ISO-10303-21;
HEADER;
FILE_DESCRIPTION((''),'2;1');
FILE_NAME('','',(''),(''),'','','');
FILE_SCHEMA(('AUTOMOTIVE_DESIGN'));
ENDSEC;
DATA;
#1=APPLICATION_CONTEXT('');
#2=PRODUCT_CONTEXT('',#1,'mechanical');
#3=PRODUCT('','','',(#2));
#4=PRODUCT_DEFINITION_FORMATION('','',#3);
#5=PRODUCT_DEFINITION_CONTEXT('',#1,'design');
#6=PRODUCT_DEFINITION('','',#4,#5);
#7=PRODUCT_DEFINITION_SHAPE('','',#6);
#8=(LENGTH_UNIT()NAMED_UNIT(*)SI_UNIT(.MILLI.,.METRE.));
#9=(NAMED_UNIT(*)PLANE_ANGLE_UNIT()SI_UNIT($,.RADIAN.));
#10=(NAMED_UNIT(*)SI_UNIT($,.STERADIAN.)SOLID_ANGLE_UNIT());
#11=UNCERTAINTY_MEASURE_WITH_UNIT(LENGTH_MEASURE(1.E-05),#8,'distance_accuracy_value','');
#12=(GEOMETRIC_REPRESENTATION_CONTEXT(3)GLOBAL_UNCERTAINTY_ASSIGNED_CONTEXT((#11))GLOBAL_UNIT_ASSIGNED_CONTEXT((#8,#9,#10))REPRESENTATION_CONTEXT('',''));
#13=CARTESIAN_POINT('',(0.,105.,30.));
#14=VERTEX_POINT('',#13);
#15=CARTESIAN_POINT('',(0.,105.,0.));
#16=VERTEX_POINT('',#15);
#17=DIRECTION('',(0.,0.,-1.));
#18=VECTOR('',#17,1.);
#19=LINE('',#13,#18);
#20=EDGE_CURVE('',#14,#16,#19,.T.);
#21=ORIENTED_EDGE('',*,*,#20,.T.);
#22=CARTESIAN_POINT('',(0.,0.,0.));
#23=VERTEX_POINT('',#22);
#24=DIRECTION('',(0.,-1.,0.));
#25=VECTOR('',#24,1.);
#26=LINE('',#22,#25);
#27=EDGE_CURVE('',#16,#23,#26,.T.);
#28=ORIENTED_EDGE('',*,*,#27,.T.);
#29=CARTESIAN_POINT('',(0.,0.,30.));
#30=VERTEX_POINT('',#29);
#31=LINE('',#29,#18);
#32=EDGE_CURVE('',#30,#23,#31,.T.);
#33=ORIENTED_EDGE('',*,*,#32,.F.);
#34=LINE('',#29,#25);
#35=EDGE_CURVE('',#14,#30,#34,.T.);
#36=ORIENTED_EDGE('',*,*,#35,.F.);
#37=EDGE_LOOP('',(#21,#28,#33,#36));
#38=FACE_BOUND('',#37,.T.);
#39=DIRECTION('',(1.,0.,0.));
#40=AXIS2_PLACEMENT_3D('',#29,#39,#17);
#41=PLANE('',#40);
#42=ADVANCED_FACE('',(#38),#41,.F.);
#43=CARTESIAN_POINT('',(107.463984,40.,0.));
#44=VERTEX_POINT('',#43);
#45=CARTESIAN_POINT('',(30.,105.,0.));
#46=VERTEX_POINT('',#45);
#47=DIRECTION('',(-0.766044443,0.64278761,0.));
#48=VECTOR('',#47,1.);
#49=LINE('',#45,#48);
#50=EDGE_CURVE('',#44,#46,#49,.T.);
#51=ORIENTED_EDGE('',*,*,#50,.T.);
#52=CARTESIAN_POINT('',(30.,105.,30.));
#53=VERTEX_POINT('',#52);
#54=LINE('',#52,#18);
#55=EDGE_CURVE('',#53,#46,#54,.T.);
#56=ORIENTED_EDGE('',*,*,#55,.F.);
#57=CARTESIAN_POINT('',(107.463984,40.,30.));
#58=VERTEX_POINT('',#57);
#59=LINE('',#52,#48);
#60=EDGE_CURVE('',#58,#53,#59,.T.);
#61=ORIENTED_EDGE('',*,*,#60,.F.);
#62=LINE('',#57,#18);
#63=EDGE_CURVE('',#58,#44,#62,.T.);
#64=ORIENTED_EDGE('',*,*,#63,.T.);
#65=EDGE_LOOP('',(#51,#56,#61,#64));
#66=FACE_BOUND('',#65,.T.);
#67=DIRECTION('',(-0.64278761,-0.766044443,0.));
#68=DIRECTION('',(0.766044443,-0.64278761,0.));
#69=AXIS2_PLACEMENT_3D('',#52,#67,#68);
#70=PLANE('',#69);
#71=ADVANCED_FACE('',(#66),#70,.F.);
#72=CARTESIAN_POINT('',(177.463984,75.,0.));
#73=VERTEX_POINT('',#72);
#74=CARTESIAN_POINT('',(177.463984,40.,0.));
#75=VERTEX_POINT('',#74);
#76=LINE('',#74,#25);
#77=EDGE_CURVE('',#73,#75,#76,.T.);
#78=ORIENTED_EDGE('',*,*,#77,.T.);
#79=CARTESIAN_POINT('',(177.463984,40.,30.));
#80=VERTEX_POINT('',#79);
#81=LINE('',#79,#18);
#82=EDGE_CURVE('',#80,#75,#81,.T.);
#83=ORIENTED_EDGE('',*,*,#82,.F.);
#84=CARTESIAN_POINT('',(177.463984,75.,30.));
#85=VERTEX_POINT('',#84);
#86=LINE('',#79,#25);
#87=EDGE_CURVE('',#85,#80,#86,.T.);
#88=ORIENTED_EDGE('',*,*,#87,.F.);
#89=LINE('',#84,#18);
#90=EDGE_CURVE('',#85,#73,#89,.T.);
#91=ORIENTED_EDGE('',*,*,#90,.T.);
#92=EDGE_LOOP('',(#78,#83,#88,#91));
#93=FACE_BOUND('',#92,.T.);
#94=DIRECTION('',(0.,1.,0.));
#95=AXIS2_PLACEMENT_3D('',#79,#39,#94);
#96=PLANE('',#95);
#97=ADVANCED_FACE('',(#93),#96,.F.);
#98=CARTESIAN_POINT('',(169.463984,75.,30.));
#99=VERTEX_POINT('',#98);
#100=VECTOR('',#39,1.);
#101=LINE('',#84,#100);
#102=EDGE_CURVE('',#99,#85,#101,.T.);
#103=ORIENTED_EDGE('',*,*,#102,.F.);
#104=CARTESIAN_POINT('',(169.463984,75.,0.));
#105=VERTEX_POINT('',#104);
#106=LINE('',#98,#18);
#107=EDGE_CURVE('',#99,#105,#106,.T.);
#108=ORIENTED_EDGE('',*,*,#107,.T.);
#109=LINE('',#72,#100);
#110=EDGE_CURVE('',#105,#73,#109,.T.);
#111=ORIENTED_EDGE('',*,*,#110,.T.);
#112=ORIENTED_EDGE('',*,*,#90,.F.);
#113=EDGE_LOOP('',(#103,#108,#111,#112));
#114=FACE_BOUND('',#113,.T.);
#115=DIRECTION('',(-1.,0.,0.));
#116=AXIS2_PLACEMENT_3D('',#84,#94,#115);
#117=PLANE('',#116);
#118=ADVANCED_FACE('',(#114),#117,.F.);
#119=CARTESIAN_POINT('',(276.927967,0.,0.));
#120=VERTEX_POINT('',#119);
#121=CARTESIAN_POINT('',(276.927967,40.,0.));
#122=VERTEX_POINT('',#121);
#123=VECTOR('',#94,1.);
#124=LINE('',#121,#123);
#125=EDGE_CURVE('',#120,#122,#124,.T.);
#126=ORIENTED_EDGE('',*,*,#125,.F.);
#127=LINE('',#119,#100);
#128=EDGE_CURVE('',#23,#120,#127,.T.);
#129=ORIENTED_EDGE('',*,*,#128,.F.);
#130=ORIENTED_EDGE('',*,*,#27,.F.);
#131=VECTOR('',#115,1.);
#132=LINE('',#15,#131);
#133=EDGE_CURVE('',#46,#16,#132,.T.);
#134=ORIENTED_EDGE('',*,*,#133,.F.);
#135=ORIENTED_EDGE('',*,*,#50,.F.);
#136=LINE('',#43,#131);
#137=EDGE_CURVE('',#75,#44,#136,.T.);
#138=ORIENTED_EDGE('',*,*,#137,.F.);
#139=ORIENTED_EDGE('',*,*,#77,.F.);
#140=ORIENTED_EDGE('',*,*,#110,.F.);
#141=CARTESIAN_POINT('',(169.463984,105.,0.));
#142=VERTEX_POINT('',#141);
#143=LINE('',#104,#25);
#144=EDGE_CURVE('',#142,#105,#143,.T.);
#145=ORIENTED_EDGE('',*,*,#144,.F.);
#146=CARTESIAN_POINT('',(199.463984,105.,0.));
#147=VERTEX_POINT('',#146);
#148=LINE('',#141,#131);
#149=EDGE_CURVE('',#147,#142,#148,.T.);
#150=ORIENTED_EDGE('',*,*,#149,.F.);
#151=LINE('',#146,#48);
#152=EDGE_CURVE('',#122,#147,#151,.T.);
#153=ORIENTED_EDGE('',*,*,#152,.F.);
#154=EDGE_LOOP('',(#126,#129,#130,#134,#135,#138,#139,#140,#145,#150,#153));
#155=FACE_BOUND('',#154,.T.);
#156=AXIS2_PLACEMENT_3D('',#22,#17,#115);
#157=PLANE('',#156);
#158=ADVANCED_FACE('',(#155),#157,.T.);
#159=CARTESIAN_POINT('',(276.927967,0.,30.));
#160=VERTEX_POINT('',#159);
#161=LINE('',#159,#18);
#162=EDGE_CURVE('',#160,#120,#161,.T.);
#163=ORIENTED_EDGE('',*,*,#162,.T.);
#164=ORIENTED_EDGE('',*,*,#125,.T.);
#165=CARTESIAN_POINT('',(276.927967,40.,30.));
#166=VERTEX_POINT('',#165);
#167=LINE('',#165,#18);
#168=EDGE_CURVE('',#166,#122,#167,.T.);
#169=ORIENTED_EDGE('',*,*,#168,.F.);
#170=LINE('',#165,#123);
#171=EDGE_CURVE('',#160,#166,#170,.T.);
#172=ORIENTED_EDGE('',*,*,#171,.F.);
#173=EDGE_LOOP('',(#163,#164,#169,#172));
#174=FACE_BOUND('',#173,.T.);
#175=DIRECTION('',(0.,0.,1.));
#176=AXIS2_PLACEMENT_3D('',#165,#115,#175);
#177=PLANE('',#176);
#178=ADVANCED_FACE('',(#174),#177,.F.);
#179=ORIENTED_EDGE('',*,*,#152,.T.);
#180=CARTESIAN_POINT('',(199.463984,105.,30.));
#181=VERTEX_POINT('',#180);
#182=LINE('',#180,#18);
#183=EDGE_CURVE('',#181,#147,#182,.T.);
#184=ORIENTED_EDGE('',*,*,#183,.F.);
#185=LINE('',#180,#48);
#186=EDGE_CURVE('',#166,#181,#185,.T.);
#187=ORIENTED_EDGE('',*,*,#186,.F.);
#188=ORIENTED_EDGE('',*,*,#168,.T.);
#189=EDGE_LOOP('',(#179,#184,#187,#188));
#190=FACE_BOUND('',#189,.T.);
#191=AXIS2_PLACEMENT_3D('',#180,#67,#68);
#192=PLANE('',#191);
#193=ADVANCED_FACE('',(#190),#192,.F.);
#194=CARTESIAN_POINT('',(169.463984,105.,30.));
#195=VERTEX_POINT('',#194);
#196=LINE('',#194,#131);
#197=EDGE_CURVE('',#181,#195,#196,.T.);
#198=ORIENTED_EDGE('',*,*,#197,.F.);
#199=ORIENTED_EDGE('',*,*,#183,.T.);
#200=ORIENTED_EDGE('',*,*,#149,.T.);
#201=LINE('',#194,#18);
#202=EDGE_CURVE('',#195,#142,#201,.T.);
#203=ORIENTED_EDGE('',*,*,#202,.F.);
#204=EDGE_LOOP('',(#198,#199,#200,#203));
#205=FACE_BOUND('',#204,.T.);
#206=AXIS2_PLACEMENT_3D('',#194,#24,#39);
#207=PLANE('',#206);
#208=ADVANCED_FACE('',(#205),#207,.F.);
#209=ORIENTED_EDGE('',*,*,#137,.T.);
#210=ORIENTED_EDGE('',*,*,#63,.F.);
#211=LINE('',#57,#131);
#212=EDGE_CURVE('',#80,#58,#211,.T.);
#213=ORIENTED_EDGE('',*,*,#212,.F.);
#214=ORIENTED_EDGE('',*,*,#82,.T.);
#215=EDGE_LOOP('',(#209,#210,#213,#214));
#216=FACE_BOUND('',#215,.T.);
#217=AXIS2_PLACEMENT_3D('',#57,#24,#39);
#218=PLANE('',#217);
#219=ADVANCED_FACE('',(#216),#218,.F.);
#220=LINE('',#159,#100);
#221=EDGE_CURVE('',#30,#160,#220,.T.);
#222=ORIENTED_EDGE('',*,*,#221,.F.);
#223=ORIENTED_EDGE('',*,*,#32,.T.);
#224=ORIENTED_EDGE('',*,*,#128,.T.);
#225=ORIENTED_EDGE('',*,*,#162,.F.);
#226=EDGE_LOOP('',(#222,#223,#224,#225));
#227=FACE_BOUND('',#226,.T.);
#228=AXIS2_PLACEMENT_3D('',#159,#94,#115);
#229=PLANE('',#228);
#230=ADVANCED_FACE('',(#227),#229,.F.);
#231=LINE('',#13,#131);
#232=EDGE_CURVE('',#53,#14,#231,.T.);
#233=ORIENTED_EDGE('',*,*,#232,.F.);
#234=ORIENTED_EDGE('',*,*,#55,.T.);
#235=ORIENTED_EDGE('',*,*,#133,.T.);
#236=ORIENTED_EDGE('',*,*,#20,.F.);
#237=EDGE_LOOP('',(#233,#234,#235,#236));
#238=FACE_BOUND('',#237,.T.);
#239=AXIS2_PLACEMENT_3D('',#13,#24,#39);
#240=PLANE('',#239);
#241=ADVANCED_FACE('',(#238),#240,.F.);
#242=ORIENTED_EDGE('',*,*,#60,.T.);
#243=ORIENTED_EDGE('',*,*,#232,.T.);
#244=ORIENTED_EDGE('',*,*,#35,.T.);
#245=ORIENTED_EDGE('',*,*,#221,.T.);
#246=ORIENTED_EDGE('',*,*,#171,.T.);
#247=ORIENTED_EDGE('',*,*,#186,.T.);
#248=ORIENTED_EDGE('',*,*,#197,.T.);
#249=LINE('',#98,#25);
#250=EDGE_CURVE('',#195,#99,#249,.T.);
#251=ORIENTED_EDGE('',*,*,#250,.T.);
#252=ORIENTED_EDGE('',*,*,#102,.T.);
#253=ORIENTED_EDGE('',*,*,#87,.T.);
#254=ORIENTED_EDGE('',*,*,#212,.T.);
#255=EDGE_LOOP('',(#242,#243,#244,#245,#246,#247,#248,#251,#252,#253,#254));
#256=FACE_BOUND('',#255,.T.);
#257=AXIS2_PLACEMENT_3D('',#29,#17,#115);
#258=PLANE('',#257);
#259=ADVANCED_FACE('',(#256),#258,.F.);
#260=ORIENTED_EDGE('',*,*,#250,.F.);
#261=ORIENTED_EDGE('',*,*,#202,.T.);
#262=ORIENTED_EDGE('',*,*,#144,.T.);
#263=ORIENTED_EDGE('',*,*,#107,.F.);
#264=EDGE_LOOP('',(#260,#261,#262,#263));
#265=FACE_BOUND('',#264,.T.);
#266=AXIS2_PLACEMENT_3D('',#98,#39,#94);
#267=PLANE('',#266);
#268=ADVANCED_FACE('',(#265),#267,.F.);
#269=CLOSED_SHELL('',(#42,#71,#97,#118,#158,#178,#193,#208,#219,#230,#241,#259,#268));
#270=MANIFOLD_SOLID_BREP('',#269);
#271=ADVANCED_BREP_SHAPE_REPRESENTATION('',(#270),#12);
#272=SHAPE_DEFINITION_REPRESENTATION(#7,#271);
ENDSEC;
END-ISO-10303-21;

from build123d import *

# Parameters (mm, degrees)
BOSS_EXTRUDE1_DEPTH = 30


with BuildPart() as part:
    # Sketch1 → Boss-Extrude1 (new body)
    with BuildSketch(Plane.XY):
        Polygon((0, 0), (0, 105), (30, 105), (107.463983519, 40), (177.463983519, 40), (177.463983519, 75), (169.463983519, 75), (169.463983519, 105), (199.463983519, 105), (276.927967037, 40), (276.927967037, 0), align=None)
    extrude(amount=BOSS_EXTRUDE1_DEPTH)


solid = part.part
